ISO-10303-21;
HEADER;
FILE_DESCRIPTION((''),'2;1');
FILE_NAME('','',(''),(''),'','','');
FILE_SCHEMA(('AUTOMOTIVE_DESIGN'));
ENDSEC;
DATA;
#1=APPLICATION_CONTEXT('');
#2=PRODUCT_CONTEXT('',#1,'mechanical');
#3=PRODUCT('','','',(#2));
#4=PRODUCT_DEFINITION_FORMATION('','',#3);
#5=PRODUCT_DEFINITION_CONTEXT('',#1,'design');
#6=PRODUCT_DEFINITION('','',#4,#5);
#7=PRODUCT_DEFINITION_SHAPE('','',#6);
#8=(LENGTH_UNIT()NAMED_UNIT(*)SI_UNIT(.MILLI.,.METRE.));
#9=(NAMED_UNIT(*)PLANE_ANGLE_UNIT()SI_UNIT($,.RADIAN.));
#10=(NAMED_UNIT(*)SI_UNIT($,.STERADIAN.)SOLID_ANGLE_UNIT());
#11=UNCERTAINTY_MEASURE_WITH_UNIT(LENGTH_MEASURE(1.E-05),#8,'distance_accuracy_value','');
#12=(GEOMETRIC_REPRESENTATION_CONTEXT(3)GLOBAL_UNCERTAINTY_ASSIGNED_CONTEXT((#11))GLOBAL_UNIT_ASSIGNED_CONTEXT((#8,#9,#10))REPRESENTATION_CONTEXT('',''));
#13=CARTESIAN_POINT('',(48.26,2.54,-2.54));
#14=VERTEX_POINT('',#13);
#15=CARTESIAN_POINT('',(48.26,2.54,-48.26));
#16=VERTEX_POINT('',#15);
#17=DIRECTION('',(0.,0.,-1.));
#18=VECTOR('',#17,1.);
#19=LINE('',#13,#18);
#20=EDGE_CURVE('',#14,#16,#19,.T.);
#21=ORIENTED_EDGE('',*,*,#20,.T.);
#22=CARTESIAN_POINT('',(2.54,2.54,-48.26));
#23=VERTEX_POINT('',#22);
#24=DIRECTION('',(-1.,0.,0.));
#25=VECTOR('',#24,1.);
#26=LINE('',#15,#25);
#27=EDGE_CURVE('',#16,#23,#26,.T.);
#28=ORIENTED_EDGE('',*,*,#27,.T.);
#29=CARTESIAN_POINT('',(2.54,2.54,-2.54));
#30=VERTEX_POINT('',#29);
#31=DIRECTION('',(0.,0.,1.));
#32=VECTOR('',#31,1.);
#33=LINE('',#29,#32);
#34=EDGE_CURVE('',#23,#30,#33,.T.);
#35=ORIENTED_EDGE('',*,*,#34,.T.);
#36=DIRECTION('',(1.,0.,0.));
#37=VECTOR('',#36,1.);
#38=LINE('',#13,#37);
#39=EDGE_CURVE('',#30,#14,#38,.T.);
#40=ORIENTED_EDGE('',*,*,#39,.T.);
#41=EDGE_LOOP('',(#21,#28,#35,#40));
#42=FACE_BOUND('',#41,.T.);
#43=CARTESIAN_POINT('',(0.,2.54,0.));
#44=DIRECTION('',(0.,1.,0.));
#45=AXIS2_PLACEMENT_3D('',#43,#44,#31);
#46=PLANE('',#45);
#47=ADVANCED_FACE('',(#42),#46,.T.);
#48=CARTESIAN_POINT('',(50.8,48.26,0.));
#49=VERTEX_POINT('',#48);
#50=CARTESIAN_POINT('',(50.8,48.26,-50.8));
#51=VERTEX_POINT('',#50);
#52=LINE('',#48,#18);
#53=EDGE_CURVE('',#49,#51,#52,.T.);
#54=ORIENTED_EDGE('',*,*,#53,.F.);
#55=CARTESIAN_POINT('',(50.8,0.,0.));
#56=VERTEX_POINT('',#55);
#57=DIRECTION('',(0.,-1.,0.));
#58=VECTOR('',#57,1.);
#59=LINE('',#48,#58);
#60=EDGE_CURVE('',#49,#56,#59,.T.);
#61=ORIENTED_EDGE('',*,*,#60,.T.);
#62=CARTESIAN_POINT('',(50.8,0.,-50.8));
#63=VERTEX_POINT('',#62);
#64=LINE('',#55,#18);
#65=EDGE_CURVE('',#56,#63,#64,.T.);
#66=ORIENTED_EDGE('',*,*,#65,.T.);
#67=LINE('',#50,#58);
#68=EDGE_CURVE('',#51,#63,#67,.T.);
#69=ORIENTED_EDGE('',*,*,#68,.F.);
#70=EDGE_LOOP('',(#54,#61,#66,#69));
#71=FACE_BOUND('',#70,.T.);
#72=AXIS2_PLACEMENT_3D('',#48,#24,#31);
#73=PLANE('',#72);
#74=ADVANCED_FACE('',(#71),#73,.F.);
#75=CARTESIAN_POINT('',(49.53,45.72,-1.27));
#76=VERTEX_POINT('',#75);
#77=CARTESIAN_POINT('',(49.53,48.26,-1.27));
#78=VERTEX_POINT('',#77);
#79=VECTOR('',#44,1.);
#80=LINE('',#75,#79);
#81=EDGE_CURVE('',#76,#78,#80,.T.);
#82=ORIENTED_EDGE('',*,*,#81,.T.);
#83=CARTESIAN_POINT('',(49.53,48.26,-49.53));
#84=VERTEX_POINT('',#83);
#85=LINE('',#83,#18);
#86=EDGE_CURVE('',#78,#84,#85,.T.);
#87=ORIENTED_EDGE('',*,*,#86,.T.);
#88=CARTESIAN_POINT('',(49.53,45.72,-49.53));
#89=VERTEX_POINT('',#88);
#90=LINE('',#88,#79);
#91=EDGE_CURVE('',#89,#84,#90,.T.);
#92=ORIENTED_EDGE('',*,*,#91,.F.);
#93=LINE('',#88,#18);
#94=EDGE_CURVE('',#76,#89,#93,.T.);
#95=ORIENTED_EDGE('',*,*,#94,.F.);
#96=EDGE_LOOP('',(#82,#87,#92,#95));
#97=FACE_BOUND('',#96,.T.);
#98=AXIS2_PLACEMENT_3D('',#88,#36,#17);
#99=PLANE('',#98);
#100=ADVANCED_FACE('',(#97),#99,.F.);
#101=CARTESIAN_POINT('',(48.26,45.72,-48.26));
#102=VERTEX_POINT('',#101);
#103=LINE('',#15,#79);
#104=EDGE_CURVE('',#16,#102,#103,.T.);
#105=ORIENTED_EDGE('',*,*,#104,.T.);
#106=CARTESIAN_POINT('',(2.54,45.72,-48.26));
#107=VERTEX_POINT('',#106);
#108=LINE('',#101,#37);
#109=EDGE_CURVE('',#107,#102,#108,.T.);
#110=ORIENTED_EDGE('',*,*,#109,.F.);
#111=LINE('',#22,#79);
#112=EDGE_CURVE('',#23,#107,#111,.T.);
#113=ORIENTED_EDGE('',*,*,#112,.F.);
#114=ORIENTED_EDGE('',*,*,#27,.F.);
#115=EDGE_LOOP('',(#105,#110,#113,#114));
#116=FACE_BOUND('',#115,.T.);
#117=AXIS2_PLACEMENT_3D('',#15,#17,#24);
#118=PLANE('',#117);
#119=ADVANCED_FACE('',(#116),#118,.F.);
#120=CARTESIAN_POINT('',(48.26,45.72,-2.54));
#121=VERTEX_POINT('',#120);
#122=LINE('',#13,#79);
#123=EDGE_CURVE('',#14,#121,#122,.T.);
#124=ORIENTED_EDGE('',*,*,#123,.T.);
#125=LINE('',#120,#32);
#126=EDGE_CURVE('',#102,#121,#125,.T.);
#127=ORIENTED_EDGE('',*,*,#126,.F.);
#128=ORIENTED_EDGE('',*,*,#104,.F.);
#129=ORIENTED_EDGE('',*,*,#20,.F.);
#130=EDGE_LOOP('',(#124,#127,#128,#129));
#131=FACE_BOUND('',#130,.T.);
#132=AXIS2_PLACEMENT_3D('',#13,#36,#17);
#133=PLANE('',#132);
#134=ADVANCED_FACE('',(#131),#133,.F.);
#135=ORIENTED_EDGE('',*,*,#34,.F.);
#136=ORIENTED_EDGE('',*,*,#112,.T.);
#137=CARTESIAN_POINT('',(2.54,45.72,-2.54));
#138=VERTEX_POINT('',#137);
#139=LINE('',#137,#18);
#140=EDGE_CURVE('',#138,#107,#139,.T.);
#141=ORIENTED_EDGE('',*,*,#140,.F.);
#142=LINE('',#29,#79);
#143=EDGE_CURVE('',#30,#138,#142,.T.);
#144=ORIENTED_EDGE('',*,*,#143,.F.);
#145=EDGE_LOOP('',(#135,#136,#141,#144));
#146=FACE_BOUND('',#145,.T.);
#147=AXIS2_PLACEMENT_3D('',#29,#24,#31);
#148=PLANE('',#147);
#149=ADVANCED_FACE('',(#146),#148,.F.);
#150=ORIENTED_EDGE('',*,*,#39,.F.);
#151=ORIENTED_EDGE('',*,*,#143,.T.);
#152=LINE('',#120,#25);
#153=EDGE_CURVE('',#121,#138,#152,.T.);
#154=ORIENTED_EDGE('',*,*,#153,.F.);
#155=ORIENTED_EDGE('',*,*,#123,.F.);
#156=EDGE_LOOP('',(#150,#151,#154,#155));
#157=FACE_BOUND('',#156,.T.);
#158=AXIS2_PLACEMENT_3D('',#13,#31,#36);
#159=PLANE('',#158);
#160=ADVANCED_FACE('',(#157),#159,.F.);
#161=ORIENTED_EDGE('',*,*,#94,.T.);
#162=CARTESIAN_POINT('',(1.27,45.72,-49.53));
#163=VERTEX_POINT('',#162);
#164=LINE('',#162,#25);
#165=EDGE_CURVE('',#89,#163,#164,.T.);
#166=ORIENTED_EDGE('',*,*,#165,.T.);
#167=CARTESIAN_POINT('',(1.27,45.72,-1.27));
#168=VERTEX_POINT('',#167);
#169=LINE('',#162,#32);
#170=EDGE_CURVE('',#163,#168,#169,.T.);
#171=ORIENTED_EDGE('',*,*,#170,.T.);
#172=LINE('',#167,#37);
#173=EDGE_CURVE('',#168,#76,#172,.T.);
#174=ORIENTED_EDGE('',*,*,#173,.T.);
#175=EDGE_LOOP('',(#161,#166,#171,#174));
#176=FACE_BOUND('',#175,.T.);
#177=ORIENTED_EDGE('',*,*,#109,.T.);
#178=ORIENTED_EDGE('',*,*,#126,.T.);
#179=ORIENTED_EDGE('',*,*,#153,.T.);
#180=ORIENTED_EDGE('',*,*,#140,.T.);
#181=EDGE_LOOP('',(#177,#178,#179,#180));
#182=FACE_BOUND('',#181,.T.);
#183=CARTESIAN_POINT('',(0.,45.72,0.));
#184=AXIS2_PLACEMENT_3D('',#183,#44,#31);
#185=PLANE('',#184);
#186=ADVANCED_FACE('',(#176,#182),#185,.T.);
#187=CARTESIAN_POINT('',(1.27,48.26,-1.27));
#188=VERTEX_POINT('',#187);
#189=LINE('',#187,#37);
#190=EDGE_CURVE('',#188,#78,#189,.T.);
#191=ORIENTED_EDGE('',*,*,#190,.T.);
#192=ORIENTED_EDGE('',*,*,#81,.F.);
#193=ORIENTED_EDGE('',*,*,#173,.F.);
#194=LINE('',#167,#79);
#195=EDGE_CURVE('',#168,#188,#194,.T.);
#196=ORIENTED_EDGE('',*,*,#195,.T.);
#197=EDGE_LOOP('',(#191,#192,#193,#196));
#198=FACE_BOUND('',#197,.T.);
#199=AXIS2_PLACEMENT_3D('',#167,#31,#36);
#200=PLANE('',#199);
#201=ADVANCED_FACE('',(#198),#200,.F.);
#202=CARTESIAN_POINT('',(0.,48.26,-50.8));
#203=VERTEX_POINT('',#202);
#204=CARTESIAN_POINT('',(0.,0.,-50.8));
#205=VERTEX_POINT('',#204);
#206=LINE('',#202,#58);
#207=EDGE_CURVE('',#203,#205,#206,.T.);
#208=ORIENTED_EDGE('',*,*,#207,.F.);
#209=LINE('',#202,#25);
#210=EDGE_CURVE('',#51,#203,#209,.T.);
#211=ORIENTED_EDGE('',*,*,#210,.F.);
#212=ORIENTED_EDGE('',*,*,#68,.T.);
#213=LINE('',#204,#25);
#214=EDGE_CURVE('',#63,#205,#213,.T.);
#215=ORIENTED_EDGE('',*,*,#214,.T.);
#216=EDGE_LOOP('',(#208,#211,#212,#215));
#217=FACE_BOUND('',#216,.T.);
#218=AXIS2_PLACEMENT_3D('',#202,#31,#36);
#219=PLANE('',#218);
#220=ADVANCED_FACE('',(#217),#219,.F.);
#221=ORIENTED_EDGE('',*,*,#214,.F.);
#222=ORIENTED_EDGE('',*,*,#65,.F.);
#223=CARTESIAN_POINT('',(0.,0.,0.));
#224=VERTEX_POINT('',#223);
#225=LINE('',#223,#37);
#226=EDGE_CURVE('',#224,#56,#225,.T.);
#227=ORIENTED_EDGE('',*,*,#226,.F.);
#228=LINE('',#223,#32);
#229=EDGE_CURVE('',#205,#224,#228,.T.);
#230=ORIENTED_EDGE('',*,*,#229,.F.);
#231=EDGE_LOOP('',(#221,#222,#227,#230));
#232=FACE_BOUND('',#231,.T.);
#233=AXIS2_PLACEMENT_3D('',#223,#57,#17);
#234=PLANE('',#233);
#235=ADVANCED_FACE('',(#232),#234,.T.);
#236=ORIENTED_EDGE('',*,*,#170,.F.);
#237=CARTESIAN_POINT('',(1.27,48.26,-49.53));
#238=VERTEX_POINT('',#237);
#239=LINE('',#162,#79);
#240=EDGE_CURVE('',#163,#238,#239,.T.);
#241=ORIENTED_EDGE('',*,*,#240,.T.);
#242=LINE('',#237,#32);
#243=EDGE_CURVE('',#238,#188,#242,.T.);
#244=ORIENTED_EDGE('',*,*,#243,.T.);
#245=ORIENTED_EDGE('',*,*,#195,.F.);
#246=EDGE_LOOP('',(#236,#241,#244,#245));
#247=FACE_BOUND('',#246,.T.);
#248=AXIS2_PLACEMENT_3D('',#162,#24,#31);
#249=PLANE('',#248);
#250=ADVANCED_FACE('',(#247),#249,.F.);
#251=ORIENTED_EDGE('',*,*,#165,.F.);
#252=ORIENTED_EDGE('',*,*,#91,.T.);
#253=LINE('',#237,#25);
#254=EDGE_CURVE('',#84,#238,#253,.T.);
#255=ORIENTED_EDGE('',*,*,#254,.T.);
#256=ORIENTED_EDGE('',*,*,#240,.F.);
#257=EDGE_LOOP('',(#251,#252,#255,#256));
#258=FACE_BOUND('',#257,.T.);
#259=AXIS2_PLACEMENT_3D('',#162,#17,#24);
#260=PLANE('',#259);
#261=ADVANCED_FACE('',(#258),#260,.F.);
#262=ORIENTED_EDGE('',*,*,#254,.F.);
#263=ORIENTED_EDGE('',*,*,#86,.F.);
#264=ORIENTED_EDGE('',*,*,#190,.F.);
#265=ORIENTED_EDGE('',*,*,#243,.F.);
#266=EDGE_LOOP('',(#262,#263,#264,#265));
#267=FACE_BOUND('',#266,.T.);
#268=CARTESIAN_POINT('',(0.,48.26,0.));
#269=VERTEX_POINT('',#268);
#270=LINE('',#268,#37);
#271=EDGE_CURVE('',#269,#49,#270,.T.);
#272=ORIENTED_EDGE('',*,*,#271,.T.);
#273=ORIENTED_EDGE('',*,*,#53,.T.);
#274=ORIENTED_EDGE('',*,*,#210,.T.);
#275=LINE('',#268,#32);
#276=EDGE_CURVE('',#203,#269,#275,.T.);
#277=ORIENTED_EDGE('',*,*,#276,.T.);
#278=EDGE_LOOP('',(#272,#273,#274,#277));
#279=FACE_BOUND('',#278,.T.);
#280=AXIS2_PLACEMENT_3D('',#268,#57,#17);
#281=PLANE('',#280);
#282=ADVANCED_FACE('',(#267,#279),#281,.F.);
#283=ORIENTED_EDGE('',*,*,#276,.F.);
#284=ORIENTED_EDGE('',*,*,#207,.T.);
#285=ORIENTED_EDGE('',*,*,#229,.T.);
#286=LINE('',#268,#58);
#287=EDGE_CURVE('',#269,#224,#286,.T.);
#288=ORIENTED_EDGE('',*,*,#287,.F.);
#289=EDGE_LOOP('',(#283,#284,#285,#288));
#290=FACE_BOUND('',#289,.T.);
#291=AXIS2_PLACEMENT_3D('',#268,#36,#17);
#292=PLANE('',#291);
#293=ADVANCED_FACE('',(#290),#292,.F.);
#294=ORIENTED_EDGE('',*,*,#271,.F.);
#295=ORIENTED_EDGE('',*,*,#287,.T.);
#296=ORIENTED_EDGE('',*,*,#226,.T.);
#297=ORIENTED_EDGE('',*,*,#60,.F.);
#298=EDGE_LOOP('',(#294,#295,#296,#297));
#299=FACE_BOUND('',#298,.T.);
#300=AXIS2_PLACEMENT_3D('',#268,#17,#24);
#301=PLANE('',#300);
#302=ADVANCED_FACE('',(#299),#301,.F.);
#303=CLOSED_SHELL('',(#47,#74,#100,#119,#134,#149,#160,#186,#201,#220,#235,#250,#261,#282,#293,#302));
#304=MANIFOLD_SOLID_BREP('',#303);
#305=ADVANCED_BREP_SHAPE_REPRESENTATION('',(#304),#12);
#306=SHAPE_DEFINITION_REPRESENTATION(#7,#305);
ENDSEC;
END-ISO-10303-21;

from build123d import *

# Parameters (mm, degrees)
SKETCH1_W           = 50.8
SKETCH1_H           = 50.8
BOSS_EXTRUDE1_DEPTH = 48.26
SKETCH2_W           = 45.72
SKETCH2_H           = 45.72
CUT_EXTRUDE1_DEPTH  = 45.72
SKETCH3_W           = 48.26
SKETCH3_H           = 48.26
CUT_EXTRUDE2_DEPTH  = 2.54


with BuildPart() as part:
    # Sketch1 → Boss-Extrude1 (new body)
    with BuildSketch(Plane(origin=(0, 0, 0), x_dir=(1, 0, 0), z_dir=(0, 1, 0))):
        with Locations((25.4, 25.4)):
            Rectangle(SKETCH1_W, SKETCH1_H)
    extrude(amount=BOSS_EXTRUDE1_DEPTH)

    # Sketch2 → Cut-Extrude1 (cut)
    with BuildSketch(Plane(origin=(0, 48.26, 0), x_dir=(1, 0, 0), z_dir=(0, 1, 0))):
        with Locations((25.4, 25.4)):
            Rectangle(SKETCH2_W, SKETCH2_H)
    extrude(amount=-CUT_EXTRUDE1_DEPTH, mode=Mode.SUBTRACT)

    # Sketch3 → Cut-Extrude2 (cut)
    with BuildSketch(Plane(origin=(0, 48.26, 0), x_dir=(1, 0, 0), z_dir=(0, 1, 0))):
        with Locations((25.4, 25.4)):
            Rectangle(SKETCH3_W, SKETCH3_H)
    extrude(amount=-CUT_EXTRUDE2_DEPTH, mode=Mode.SUBTRACT)


solid = part.part
